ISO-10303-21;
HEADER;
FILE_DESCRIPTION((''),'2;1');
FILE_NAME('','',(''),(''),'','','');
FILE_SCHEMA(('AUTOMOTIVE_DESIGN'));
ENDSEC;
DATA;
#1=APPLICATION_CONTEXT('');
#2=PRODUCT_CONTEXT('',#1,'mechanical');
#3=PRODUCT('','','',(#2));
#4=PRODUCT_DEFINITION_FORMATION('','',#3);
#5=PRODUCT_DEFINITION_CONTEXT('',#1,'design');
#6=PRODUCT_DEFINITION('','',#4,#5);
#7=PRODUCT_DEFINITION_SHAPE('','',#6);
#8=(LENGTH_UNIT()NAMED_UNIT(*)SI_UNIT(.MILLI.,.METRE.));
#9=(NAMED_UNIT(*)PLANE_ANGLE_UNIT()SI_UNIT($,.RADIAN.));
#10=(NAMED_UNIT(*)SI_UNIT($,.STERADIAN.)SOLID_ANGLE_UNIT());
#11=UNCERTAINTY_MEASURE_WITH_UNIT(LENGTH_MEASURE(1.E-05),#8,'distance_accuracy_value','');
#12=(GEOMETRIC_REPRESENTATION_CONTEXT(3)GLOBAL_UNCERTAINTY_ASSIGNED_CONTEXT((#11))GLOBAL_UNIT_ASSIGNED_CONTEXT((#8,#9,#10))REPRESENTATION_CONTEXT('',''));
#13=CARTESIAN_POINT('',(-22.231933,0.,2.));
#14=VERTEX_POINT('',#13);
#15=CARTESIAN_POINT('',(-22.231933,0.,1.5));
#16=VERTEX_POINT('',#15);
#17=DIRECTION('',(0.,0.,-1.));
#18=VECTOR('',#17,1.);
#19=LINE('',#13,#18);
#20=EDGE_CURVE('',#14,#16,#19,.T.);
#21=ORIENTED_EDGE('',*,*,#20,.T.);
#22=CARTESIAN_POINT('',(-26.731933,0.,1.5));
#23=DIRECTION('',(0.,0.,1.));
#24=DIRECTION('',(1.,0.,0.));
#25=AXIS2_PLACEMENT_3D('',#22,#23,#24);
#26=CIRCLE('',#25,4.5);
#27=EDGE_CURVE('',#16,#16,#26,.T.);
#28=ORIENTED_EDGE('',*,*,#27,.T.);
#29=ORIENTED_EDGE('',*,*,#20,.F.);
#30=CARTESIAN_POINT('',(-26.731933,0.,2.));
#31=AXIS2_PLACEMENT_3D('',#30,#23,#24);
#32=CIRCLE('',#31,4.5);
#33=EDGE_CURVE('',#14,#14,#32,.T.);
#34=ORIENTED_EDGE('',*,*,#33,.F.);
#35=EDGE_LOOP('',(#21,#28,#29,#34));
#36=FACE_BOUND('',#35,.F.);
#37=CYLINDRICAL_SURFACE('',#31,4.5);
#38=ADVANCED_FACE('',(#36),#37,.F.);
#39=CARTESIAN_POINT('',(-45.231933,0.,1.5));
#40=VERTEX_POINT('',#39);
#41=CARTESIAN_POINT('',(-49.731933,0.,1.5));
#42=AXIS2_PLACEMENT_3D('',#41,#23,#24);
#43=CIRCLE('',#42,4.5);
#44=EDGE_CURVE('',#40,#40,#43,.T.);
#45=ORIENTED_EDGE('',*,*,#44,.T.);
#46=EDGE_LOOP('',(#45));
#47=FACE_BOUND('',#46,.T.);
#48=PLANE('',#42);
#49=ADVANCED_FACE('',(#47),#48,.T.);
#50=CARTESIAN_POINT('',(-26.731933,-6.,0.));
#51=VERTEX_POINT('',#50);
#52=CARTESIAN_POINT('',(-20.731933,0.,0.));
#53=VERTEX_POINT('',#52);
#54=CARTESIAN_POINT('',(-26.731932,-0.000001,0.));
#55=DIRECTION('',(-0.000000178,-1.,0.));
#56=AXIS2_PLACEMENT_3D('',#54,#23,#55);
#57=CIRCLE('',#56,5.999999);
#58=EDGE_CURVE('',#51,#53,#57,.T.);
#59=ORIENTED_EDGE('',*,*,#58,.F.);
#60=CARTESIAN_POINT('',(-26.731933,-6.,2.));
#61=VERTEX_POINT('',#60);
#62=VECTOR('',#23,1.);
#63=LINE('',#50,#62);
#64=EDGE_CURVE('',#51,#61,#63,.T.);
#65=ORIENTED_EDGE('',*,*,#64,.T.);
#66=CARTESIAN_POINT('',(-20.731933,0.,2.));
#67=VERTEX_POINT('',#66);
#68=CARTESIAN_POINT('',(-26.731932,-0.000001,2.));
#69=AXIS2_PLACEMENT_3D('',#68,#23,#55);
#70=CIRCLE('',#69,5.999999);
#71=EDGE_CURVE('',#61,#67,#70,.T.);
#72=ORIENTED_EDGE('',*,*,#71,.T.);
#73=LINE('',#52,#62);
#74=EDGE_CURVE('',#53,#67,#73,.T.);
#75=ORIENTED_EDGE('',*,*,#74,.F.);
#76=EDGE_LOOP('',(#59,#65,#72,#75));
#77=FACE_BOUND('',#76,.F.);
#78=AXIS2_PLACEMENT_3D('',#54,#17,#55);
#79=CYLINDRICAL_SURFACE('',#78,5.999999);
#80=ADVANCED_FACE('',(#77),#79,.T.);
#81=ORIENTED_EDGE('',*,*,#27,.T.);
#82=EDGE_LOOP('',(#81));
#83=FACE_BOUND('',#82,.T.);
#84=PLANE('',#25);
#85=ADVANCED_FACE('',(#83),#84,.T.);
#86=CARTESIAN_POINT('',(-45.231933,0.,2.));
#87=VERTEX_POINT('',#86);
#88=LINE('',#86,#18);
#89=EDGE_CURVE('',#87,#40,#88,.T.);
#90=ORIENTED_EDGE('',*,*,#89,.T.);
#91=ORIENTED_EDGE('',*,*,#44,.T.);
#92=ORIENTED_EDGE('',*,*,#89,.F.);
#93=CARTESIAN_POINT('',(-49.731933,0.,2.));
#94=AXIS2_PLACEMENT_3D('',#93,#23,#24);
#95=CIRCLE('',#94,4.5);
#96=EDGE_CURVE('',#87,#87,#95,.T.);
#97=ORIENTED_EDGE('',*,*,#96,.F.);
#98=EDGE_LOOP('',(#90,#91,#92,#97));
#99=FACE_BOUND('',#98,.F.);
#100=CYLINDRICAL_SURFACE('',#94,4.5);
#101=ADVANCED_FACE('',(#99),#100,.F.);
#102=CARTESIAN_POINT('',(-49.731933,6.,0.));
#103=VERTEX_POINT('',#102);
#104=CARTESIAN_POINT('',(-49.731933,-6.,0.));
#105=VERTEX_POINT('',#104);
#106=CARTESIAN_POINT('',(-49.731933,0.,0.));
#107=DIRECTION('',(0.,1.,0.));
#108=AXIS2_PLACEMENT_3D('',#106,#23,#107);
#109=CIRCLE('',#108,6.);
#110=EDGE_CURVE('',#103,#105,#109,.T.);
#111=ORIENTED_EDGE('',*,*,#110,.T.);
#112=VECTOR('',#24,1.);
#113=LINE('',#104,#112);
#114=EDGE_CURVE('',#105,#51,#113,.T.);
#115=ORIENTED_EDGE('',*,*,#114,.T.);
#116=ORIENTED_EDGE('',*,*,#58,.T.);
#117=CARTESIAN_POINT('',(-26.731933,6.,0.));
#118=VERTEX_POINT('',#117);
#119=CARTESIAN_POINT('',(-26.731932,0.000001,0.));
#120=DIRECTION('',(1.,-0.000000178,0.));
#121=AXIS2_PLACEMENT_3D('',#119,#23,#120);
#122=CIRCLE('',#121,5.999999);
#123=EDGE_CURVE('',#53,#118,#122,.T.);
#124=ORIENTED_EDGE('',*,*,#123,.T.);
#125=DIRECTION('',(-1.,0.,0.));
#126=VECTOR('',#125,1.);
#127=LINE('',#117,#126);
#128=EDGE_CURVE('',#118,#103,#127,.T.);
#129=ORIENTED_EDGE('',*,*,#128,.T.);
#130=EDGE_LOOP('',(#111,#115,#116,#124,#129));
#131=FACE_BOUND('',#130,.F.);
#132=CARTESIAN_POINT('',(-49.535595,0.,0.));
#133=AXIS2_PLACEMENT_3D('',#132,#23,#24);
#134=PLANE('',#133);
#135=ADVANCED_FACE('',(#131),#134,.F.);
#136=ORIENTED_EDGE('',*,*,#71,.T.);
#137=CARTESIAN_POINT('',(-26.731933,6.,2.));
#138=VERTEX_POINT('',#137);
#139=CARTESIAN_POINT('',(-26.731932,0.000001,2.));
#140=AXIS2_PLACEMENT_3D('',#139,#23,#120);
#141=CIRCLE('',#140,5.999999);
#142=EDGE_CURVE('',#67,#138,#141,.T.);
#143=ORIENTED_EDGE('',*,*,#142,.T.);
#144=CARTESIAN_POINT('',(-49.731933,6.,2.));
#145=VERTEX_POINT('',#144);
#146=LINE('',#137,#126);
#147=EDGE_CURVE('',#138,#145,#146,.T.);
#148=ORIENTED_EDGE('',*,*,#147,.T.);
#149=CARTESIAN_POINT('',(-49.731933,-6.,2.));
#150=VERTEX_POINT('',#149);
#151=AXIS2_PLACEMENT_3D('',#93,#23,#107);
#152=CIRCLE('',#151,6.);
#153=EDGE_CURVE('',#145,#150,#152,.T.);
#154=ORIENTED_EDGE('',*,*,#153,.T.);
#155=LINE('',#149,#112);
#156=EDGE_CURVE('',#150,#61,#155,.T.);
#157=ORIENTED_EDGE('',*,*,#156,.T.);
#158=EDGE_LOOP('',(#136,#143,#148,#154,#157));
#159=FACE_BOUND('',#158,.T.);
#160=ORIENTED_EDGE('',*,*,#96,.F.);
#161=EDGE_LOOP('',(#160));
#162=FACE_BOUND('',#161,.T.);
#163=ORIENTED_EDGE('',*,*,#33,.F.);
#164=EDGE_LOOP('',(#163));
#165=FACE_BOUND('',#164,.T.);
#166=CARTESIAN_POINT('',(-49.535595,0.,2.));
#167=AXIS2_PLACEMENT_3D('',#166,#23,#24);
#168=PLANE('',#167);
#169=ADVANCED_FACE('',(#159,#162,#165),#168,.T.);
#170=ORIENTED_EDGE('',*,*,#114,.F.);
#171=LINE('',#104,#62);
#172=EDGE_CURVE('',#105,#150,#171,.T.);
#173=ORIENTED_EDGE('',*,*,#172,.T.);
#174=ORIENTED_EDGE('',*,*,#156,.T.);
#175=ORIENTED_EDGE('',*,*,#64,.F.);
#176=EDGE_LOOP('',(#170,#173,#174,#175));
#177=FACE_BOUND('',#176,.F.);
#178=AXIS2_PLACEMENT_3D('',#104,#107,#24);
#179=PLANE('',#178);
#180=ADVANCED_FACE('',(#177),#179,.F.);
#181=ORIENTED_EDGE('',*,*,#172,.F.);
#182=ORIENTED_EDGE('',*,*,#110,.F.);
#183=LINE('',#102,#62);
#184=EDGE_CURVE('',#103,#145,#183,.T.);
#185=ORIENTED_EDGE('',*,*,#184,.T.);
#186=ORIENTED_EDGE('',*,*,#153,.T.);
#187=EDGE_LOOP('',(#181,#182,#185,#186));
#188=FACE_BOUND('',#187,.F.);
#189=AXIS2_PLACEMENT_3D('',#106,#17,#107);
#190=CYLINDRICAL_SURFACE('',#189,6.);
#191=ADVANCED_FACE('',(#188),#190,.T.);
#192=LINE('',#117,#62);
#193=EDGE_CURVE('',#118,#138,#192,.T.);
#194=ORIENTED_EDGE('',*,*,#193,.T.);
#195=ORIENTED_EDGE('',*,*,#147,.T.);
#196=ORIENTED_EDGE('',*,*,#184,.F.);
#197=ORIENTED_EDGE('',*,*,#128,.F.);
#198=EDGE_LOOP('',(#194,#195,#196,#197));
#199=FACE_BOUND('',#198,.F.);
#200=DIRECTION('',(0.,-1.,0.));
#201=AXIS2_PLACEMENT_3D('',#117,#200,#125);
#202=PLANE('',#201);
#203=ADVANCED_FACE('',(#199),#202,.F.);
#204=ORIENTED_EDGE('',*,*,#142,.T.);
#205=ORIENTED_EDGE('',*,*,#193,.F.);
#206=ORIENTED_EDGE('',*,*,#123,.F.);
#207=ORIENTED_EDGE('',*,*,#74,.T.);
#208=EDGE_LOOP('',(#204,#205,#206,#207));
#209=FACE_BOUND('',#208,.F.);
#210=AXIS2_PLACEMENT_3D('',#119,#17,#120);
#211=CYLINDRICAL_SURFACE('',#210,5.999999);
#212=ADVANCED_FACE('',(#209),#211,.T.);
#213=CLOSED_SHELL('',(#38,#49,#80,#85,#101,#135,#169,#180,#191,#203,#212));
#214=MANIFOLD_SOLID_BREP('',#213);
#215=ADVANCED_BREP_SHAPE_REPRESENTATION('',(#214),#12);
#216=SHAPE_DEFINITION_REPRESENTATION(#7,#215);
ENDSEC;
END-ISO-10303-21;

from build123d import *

# Parameters (mm, degrees)
F1_DEPTH = 2
F2_R     = 4.5
F3_DEPTH = 0.5


with BuildPart() as f1:
    # F0 (on Top) → F1 (new body)
    with BuildSketch(Plane.XY):
        with BuildLine():
            ThreePointArc((-49.731933, -6), (-45.489292, -4.242641), (-43.731933, 0))
            ThreePointArc((-43.731933, 0), (-45.489292, 4.242641), (-49.731933, 6))
            ThreePointArc((-49.731933, 6), (-55.731933, 0), (-49.731933, -6))
        make_face()
        with BuildLine():
            ThreePointArc((-49.731933, 6), (-45.489292, 4.242641), (-43.731933, 0))
            ThreePointArc((-43.731933, 0), (-45.489292, -4.242641), (-49.731933, -6))
            Line((-49.731933, -6), (-26.731933, -6))
            ThreePointArc((-26.731933, -6), (-32.731933, 0), (-26.731933, 6))
            Line((-26.731933, 6), (-49.731933, 6))
        make_face()
        with BuildLine():
            ThreePointArc((-20.731933, 0), (-22.489292, 4.242641), (-26.731933, 6))
            ThreePointArc((-26.731933, 6), (-32.731933, 0), (-26.731933, -6))
            ThreePointArc((-26.731933, -6), (-22.489292, -4.242641), (-20.731933, 0))
        make_face()
    extrude(amount=F1_DEPTH)

    # F2 (on face) → F3 (cut)
    with BuildSketch(Plane.XY.offset(2)):
        with Locations((-49.731933, 0)):
            Circle(F2_R)
        with Locations((-26.731933, 0)):
            Circle(F2_R)
    extrude(amount=-F3_DEPTH, mode=Mode.SUBTRACT)


solid = f1.part
